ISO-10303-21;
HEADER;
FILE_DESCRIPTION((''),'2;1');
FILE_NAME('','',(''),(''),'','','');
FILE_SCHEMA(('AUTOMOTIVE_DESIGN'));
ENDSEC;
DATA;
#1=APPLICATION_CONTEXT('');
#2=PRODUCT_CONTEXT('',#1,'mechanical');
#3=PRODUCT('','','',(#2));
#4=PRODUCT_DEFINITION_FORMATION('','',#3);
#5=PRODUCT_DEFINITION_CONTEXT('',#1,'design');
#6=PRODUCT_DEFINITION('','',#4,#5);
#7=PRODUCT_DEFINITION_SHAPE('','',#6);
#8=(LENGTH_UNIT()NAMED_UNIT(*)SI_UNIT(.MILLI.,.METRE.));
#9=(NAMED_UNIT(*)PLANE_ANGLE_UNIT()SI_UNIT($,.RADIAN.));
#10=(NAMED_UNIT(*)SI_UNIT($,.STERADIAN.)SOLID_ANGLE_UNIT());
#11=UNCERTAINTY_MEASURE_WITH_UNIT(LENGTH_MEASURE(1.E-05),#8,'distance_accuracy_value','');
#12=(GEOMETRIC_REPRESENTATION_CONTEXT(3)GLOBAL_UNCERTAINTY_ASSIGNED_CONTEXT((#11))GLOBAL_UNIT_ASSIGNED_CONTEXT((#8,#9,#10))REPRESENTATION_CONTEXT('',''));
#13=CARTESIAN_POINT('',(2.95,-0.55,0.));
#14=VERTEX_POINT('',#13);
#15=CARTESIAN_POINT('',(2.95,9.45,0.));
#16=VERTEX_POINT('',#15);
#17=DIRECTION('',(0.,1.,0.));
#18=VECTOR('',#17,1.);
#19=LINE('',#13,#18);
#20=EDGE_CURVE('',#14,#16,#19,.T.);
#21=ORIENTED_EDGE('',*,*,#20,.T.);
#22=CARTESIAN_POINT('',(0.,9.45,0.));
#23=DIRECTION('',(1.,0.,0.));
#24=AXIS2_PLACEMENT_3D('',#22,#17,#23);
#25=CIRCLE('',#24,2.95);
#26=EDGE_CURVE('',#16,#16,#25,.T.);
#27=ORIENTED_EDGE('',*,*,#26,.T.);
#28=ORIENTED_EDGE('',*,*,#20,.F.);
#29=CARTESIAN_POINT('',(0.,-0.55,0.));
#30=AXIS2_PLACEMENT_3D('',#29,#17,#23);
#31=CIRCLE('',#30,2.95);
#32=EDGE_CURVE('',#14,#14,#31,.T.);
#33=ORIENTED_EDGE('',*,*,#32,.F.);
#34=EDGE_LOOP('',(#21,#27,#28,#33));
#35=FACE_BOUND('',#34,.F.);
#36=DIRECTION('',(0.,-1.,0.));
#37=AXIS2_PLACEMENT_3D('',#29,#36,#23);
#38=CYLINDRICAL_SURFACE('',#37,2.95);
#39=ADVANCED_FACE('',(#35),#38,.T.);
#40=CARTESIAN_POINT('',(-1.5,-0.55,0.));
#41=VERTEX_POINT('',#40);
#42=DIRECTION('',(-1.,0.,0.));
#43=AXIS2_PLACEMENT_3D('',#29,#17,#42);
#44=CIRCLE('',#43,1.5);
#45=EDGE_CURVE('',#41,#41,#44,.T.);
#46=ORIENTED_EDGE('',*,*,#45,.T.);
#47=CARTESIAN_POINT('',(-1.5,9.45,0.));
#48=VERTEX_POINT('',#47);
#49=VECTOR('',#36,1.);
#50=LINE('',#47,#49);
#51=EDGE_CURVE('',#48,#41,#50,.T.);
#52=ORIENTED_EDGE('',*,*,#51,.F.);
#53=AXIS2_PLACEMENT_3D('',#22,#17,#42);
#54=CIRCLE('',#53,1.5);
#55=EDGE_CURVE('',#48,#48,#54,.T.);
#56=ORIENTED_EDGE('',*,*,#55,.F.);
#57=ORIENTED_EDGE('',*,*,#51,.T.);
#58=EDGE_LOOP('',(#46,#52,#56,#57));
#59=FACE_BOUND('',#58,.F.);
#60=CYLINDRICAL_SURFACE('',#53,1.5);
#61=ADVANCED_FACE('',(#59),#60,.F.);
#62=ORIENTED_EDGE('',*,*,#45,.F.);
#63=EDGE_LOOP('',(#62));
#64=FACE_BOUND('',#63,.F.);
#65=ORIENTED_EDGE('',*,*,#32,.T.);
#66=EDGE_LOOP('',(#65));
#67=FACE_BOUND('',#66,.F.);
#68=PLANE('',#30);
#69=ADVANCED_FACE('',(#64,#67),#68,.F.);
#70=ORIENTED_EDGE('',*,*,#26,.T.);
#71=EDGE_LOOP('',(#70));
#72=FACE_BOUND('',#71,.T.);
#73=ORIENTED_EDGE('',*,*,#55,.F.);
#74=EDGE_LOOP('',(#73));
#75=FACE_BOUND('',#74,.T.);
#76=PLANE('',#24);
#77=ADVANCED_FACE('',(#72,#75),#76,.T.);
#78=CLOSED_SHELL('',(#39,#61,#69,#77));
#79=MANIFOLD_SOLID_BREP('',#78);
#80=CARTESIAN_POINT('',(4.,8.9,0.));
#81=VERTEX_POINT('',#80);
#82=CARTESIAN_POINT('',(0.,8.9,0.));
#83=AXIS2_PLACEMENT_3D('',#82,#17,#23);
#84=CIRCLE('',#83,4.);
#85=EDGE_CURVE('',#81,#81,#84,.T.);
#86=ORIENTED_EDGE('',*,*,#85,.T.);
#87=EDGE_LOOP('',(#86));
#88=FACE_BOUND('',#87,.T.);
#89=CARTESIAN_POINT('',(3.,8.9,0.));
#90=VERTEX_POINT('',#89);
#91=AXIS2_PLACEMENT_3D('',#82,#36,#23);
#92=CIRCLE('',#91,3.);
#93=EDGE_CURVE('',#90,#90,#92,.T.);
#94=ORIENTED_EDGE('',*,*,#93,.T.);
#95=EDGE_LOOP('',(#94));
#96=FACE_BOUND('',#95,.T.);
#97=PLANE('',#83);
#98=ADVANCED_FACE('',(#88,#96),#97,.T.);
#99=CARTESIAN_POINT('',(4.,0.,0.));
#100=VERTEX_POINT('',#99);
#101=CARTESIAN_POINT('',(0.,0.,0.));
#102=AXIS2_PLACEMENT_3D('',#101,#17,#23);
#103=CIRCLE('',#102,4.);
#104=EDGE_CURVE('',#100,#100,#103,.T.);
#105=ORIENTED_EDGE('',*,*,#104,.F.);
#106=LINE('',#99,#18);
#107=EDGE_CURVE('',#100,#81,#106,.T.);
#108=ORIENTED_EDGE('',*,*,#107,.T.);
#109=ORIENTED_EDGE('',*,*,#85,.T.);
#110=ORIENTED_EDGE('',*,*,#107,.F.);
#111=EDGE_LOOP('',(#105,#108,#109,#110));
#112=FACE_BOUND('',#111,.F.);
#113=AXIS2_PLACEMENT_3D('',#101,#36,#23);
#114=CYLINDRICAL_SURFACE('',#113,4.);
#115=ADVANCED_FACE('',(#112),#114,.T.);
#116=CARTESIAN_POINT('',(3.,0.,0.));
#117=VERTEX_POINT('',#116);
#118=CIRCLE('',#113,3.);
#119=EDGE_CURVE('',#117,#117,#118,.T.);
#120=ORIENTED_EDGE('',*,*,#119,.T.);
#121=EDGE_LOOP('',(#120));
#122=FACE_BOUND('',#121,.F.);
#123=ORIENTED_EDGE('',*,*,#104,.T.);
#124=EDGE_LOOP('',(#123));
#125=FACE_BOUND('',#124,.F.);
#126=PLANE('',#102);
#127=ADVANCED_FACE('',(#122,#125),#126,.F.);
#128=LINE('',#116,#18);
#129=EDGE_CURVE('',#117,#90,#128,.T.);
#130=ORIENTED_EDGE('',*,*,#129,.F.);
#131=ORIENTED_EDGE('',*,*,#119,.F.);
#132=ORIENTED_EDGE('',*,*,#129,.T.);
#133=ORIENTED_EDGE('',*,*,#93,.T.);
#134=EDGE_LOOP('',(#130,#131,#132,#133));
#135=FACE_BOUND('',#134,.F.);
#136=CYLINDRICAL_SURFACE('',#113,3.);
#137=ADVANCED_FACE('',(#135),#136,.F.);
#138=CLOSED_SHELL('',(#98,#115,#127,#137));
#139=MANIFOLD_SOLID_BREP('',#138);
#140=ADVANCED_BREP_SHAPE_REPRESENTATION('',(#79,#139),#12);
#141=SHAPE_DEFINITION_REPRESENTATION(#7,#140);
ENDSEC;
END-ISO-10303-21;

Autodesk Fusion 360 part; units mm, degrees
sketch "Sketch1" plane through (0, 0, 0) normal (0, 1, 0) x (1, 0, 0) in component "outer"
  circle A0 centre (0, 0) radius 4
  dimension "d1" = 8
extrude "Extrude1" add sketch "Sketch1" along normal blind 8.9 makes body 1 in component "outer"
sketch "Sketch2" plane through (0, 0, 0) normal (0, -1, 0) x (1, 0, 0) in component "outer"
  circle A0 centre (0, 0) radius 4
  circle A1 centre (0, 0) radius 3
  dimension "d4" = 6
extrude "Extrude2" cut sketch "Sketch2" against normal blind 12 contours A1 bodies 1 in component "outer"
sketch "Sketch1 (2)" plane through (0, 0, 0) normal (0, 1, 0) x (1, 0, 0) in component "inner"
  circle A0 centre (0, 0) radius 2.95
  dimension "d7" = 5.9
extrude "Extrude1'" add sketch "Sketch1 (2)" along normal blind 10 separate body makes body 2 in component "inner"
sketch "Sketch2 (2)" plane through (0, 10, 0) normal (0, 1, 0) x (-1, 0, 0) in component "inner"
  circle A0 centre (0, 0) radius 2.95
  circle A1 centre (0, 0) radius 1.5
  dimension "d10" = 3
extrude "Extrude2'" cut sketch "Sketch2 (2)" against normal blind 11 contours A1 bodies 2 in component "inner"
component "outer" placed x (1, 0, 0) y (0, 1, 0) z (0, 0, 1) at (0, 0, 0)
component "inner" placed x (1, 0, 0) y (0, 1, 0) z (0, 0, 1) at (0, -0.55, 0)
